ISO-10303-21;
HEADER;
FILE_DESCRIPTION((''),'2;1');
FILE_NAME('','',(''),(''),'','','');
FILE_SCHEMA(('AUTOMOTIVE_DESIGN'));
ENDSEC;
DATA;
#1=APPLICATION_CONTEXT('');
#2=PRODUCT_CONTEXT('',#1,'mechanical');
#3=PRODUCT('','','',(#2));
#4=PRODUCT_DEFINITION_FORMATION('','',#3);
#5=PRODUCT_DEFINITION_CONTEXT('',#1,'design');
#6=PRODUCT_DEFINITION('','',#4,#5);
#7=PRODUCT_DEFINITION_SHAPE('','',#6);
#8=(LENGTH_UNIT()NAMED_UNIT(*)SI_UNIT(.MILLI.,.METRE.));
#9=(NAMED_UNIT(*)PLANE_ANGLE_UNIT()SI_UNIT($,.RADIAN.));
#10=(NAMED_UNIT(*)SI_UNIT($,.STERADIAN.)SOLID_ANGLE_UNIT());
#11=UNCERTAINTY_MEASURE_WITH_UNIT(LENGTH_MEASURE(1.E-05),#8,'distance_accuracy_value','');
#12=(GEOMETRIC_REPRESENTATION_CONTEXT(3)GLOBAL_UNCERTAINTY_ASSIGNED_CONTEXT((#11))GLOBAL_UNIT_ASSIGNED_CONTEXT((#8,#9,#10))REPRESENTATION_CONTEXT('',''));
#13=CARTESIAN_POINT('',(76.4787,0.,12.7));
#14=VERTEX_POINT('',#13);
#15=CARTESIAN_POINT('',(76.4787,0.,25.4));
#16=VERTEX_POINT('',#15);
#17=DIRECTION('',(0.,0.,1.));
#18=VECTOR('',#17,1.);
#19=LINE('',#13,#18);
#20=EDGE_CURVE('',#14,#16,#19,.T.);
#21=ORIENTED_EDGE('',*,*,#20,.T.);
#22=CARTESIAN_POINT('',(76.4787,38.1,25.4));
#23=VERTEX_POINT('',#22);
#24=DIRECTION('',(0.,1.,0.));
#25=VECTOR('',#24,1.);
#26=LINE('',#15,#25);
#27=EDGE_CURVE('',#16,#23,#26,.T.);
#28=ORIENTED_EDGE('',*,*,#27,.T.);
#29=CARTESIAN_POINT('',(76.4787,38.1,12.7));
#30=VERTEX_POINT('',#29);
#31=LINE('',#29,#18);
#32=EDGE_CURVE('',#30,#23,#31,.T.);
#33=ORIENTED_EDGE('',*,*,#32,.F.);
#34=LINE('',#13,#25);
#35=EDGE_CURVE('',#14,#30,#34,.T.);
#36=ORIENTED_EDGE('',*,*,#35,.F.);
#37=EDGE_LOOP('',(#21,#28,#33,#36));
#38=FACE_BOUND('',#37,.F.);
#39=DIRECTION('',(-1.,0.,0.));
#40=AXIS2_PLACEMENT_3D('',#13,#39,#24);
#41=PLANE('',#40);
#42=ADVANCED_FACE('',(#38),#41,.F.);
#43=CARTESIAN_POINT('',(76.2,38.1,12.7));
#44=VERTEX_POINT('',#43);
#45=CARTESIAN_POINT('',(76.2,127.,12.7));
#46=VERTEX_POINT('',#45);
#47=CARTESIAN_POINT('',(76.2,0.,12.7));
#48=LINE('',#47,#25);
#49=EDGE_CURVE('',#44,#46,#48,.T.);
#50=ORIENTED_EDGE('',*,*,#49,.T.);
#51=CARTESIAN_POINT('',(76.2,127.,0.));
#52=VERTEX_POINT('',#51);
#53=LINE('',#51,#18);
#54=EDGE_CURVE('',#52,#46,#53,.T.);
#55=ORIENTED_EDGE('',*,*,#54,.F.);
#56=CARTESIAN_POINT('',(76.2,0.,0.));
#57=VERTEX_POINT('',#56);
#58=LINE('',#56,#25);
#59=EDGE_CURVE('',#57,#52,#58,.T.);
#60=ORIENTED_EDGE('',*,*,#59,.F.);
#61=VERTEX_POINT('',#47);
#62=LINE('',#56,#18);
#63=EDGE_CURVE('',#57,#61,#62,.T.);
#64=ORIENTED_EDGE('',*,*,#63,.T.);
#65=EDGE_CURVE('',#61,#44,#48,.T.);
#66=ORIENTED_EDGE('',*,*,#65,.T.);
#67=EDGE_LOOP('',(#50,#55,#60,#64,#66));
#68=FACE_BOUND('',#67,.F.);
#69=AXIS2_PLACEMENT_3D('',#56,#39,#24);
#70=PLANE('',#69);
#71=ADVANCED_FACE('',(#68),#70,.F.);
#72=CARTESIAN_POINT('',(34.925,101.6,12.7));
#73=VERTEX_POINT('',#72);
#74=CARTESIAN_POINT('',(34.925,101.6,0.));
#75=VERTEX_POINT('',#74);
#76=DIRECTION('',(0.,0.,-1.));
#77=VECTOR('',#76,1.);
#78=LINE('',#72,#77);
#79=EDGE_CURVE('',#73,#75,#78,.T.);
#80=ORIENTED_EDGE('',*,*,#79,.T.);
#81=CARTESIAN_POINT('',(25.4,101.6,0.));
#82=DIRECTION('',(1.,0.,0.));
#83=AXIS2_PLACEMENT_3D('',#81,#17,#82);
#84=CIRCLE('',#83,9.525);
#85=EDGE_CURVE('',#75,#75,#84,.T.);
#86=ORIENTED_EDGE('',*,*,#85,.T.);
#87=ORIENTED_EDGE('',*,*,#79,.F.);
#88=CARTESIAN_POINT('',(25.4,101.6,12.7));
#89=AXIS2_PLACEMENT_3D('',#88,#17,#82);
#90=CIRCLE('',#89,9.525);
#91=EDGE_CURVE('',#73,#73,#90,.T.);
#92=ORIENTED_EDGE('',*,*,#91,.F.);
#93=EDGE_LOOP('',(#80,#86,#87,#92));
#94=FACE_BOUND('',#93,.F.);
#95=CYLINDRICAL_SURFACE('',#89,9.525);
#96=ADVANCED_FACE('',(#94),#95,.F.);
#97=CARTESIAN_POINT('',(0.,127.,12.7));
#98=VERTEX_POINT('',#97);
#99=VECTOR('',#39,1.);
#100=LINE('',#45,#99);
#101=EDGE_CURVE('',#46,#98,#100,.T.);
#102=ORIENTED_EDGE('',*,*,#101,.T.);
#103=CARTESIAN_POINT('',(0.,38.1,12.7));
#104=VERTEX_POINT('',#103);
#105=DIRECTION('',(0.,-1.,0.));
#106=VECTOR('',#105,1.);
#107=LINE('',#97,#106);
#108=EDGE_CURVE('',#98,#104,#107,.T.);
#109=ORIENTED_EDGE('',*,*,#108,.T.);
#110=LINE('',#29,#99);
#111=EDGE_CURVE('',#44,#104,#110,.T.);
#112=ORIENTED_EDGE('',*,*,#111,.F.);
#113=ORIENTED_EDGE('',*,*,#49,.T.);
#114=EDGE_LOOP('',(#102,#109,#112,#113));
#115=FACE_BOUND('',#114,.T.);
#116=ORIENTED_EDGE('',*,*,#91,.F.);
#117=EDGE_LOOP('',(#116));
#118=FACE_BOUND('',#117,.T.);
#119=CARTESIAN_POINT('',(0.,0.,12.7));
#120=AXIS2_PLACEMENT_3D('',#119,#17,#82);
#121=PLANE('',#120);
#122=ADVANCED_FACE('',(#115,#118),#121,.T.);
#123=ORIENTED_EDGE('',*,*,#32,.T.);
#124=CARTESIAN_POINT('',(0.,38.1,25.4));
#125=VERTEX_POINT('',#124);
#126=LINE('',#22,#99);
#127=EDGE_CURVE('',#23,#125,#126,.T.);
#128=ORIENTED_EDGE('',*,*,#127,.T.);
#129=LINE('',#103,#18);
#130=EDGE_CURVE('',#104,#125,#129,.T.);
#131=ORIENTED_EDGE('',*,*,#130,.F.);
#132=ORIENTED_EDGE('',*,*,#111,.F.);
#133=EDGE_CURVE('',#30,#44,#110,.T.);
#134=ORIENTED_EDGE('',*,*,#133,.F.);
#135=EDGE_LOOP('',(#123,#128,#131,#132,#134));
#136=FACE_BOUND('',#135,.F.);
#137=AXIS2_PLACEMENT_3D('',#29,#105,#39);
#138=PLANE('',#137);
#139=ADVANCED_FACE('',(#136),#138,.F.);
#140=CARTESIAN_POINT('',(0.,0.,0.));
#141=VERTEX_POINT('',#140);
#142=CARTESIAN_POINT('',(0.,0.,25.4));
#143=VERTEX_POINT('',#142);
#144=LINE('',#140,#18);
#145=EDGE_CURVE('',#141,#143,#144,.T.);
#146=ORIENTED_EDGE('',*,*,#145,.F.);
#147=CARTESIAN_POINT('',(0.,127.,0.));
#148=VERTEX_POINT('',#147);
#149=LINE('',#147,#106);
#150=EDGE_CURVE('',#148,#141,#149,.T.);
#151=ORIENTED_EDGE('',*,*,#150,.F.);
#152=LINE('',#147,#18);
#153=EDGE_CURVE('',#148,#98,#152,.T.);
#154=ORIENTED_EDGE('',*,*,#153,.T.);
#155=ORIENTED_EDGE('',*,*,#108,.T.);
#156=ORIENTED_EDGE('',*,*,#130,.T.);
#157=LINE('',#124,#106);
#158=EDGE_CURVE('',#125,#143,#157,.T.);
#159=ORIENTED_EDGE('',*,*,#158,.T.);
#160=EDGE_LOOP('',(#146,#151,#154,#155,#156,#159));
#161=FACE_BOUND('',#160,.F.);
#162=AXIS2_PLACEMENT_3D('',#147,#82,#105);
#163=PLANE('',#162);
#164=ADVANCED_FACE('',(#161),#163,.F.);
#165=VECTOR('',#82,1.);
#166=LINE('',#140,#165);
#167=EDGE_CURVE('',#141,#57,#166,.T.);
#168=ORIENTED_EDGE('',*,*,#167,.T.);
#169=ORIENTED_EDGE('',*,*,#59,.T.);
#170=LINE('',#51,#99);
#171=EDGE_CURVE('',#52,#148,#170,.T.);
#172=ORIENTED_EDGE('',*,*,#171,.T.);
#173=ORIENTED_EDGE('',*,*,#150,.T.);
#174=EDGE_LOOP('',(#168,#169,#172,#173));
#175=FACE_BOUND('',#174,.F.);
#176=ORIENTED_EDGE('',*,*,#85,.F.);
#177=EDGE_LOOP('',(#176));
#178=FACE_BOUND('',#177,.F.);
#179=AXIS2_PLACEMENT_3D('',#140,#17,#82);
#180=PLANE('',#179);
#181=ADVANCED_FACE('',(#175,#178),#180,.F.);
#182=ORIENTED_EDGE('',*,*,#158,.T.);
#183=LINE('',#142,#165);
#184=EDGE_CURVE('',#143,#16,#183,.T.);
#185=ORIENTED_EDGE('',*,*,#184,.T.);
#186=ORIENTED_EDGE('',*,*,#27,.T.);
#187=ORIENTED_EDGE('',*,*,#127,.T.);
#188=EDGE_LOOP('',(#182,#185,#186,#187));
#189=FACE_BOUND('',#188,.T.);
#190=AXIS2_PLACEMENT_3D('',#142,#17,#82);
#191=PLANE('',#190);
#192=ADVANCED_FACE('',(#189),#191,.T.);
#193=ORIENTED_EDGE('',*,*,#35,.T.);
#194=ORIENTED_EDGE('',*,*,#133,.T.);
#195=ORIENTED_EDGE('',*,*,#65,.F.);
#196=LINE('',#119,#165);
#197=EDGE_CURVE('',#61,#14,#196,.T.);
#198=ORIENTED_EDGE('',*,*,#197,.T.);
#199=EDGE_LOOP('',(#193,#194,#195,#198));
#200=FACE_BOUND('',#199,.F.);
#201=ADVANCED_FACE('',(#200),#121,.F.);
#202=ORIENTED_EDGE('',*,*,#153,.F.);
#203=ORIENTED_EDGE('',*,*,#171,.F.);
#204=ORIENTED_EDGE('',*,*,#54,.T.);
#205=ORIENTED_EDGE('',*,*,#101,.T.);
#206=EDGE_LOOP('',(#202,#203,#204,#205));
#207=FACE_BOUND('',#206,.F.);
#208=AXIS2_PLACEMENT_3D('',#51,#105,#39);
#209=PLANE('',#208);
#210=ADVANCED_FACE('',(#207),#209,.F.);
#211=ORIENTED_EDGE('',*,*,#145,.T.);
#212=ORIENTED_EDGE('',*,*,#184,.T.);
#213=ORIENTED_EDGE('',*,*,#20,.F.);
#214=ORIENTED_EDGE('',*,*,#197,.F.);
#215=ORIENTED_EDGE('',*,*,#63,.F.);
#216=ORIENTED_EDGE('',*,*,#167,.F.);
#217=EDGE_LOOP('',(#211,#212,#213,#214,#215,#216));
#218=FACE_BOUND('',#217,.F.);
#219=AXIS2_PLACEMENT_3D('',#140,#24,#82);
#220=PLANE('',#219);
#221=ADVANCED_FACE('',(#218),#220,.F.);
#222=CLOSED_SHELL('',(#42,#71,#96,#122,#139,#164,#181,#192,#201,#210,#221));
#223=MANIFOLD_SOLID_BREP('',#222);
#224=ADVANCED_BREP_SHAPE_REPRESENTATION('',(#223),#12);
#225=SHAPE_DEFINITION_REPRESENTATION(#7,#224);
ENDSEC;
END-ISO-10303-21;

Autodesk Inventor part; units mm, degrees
ref_plane "YZ Plane" through (0, 0, 0) normal (1, 0, 0) x (0, 1, 0)
ref_plane "XZ Plane" through (0, 0, 0) normal (0, 1, 0) x (-1, 0, 0)
ref_plane "XY Plane" through (0, 0, 0) normal (0, 0, 1) x (1, 0, 0)
sketch "Sketch1" plane through (0, 0, 0) normal (0, 0, 1) x (1, 0, 0)
  line L0 (0, 0) -> (76.2, 0)
  line L1 (76.2, 0) -> (76.2, 127)
  line L2 (76.2, 127) -> (0, 127)
  line L3 (0, 127) -> (0, 0)
  dimension "d0" = 76.2
  dimension "d1" = 127
extrude "Extrusion1" add sketch "Sketch1" along normal blind 12.7
sketch "Sketch2" plane through (0, 0, 12.7) normal (0, 0, 1) x (1, 0, 0)
  line L0 (0, 0) -> (76.4787, 0)
  line L1 (76.4787, 0) -> (76.4787, 38.1)
  line L2 (76.4787, 38.1) -> (0, 38.1)
  line L3 (0, 38.1) -> (0, 0)
  dimension "d4" = 38.1
extrude "Extrusion2" add sketch "Sketch2" along normal blind 12.7
sketch "Sketch3" plane through (0, 0, 12.7) normal (0, 0, 1) x (1, 0, 0)
  circle A0 centre (25.4, 101.6) radius 9.525
  line L0 (0, 127) -> (0, 38.1) projected
  line L1 (76.2, 127) -> (0, 127) projected
  point P0 (0, 0)
  dimension "d7" = 19.05
  dimension "d8" = 25.4
  dimension "d9" = 25.4
extrude "Extrusion3" cut sketch "Sketch3" against normal through all
sketch "Sketch4" plane through (0, 127, 0) normal (0, 1, 0) x (1, 0, 0)
  point P0 (0, 0)
